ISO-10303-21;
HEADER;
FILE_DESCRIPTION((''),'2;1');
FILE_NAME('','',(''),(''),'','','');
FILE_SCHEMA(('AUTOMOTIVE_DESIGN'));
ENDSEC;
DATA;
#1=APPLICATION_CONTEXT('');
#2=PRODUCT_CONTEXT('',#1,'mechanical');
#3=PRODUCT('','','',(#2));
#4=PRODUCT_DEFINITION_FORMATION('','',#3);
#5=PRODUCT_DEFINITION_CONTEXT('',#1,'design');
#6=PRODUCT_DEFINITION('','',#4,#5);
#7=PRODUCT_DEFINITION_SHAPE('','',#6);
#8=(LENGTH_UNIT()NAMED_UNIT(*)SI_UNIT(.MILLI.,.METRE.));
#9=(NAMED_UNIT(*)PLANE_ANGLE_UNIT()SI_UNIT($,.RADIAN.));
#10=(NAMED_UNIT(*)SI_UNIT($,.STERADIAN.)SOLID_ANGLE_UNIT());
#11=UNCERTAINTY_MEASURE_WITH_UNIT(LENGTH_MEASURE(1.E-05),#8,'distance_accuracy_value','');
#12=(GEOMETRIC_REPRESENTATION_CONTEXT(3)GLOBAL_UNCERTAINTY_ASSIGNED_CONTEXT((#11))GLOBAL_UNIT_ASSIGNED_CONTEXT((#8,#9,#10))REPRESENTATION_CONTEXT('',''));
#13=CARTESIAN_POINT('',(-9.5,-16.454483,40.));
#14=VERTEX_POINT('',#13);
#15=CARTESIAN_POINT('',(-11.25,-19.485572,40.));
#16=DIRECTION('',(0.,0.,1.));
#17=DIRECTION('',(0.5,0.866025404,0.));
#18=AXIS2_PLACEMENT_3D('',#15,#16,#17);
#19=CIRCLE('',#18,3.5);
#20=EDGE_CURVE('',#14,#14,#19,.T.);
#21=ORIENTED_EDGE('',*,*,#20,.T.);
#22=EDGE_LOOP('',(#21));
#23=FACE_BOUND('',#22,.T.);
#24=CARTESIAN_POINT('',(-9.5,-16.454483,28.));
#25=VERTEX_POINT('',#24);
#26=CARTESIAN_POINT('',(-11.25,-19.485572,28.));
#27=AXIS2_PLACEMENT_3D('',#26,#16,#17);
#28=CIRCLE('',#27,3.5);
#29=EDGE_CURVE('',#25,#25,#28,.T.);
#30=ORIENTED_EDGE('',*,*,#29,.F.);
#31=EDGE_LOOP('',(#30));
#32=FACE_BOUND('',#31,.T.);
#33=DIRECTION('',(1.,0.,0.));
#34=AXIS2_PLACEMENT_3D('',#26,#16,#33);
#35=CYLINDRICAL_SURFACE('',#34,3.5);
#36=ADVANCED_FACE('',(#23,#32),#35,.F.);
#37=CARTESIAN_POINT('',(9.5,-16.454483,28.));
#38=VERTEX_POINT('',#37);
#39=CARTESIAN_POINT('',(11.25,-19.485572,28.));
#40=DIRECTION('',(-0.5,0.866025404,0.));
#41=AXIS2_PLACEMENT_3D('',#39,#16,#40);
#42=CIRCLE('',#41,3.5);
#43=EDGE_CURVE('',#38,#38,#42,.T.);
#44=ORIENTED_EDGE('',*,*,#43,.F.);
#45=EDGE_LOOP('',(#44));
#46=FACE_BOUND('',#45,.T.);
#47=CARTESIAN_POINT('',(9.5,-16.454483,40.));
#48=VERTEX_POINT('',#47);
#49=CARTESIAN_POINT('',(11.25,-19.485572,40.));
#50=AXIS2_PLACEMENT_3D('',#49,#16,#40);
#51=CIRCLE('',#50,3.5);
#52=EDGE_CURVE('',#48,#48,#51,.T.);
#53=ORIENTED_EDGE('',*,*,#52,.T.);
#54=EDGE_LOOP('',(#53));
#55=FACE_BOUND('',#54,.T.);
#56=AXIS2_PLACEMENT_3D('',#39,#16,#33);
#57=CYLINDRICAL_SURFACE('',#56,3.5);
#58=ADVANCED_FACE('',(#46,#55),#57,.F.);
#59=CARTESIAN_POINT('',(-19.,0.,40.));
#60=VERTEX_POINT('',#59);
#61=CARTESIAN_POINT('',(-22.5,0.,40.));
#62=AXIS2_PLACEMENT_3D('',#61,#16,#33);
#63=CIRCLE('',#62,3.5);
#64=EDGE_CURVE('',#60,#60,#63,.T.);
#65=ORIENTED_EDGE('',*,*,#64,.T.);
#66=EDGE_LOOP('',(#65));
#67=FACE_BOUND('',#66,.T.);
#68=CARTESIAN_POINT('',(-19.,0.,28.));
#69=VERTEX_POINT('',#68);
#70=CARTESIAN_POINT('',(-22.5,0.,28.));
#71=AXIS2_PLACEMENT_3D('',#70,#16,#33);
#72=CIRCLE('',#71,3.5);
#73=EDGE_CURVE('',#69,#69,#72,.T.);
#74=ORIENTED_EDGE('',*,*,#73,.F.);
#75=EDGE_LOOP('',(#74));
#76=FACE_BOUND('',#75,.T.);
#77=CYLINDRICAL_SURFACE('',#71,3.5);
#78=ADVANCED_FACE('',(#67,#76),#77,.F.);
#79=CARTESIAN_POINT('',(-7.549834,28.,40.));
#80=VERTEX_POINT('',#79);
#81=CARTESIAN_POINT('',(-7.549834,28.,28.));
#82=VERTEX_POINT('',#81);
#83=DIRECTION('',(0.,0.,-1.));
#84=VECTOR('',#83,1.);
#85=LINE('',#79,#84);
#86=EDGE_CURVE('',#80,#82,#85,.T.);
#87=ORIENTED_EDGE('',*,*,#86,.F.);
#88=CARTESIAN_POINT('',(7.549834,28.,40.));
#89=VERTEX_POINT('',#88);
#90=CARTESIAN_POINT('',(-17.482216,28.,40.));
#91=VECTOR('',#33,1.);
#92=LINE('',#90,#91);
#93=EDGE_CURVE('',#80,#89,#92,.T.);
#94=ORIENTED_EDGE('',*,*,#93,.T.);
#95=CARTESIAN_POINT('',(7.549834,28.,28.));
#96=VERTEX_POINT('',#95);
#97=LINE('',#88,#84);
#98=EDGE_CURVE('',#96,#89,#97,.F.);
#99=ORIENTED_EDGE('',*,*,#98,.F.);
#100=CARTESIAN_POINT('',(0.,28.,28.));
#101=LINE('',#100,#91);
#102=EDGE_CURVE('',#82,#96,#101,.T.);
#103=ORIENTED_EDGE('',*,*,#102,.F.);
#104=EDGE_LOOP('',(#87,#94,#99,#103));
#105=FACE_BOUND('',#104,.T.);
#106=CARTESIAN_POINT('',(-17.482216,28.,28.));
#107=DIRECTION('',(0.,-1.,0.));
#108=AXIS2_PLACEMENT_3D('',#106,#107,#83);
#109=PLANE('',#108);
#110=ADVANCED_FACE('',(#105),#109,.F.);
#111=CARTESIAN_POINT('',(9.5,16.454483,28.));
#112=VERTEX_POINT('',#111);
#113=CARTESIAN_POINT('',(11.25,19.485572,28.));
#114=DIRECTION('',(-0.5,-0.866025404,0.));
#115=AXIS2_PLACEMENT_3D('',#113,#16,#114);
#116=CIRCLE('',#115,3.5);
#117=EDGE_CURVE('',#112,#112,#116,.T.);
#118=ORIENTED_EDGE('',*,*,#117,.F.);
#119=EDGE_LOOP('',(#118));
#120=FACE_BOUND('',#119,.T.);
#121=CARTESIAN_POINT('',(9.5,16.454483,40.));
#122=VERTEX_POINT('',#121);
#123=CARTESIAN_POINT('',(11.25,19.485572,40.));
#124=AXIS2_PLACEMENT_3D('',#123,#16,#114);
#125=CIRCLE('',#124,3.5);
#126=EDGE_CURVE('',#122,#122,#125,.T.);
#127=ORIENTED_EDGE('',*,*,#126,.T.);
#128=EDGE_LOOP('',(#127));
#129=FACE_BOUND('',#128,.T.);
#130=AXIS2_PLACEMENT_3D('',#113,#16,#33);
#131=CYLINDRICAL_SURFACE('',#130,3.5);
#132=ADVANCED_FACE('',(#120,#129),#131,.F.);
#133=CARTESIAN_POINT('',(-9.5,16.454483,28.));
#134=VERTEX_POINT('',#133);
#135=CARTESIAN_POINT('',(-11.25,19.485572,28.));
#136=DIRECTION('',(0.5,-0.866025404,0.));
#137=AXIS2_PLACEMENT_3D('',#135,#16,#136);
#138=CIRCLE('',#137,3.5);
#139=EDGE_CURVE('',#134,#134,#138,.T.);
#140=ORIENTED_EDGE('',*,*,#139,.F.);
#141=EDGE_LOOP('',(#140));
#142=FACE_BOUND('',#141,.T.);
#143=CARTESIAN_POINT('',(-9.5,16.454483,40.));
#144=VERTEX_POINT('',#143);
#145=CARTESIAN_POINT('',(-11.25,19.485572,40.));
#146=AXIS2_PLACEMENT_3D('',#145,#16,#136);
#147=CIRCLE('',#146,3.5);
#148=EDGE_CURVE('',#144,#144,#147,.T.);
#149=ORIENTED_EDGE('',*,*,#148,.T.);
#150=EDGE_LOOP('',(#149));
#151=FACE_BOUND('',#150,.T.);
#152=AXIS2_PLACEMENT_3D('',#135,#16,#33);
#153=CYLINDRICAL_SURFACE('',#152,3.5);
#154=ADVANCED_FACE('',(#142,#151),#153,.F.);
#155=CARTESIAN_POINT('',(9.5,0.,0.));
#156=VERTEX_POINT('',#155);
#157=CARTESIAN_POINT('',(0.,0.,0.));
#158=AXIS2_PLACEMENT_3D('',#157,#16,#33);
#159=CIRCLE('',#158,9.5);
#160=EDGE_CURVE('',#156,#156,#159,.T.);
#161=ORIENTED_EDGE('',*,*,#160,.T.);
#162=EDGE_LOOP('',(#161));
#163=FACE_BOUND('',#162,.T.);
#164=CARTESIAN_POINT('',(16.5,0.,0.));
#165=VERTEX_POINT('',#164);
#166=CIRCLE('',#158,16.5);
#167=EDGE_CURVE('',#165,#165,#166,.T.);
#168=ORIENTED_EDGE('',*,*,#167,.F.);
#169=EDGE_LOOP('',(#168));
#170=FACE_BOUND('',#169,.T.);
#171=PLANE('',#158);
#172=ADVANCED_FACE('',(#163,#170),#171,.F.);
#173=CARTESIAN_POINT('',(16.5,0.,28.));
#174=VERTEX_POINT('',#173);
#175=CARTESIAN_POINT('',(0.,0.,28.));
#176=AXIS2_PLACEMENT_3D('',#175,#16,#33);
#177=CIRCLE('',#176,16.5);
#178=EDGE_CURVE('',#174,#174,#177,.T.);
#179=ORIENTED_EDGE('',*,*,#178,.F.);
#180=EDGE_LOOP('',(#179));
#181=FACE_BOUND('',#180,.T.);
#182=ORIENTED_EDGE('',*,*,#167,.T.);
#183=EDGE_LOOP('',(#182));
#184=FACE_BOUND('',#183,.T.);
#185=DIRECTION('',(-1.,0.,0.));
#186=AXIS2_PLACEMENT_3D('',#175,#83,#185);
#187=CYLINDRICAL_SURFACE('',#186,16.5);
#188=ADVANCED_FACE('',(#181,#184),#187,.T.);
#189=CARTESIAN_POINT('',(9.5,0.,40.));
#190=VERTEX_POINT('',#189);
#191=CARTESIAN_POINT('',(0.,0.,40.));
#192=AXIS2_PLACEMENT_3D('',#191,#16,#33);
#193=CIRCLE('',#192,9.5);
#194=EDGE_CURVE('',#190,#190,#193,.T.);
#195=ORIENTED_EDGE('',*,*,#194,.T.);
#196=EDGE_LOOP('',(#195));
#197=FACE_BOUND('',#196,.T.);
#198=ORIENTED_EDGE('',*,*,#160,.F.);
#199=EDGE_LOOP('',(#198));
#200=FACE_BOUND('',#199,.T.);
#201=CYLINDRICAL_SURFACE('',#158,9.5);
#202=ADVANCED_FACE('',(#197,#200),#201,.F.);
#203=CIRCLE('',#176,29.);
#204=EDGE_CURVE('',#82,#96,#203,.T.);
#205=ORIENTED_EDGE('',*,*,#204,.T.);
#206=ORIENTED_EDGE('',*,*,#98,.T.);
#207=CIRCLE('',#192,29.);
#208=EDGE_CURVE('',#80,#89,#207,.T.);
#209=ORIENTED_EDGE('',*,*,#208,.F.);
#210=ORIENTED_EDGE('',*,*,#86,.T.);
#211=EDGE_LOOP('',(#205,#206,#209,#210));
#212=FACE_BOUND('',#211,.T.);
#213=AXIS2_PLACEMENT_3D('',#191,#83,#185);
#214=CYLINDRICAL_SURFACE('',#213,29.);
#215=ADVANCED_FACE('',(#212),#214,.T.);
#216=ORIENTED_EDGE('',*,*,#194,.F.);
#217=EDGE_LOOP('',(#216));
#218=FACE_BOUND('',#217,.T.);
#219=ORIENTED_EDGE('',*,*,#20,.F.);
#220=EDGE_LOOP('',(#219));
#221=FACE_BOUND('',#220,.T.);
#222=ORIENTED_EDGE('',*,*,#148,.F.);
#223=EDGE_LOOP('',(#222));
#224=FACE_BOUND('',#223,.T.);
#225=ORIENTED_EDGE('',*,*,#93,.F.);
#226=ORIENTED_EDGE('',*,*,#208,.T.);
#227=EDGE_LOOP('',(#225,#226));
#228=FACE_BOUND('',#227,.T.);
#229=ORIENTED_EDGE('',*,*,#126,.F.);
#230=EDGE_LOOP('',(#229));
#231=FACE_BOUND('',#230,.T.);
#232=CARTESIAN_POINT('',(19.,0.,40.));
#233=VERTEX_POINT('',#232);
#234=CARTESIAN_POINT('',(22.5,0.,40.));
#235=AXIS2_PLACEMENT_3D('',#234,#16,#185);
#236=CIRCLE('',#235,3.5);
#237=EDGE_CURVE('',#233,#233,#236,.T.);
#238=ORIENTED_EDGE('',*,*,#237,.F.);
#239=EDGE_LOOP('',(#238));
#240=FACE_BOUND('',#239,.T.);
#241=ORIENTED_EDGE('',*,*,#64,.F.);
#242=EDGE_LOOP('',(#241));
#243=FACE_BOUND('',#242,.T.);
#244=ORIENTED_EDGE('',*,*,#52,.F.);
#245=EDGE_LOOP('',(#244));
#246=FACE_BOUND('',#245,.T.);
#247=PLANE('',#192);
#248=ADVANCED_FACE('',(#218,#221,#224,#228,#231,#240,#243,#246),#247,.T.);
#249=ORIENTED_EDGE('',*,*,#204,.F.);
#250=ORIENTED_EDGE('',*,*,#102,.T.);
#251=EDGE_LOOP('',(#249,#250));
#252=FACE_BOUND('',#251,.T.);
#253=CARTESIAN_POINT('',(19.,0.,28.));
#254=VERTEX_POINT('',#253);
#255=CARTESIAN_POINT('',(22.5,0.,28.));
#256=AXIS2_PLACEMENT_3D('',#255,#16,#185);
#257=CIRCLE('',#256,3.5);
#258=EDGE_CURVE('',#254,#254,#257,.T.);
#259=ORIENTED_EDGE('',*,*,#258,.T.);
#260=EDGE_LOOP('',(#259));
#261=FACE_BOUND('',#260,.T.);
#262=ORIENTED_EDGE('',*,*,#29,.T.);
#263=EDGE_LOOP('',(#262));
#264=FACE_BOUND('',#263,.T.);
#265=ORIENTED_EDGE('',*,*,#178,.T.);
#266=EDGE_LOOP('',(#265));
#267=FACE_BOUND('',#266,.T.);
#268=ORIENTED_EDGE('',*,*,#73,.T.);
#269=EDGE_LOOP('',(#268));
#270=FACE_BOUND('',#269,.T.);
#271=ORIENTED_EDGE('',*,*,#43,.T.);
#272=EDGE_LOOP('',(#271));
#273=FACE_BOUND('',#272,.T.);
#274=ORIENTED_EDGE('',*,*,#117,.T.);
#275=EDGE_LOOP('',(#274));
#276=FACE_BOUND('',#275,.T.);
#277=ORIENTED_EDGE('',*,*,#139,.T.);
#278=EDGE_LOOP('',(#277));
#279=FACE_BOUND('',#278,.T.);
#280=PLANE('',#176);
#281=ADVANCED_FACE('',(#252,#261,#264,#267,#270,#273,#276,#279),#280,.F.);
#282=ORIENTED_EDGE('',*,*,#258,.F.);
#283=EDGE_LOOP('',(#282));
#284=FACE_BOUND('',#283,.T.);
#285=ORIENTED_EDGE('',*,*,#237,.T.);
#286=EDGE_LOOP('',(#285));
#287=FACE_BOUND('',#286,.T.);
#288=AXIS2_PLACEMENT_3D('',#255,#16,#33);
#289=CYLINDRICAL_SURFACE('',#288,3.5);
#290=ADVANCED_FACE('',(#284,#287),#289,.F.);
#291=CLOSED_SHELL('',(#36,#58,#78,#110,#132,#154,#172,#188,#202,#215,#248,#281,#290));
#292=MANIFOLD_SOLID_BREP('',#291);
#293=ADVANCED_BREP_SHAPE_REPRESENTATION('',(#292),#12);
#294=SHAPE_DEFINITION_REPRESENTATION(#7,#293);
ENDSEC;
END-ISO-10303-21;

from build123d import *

# Parameters (mm, degrees)
SZKIC1_R                    = 16.5
DODANIE_WYCI_GNI_CIE1_DEPTH = 28
SZKIC2_R                    = 29
DODANIE_WYCI_GNI_CIE2_DEPTH = 12
SZKIC3_R                    = 9.5
WYTNIJ_WYCI_GNI_CIE1_DEPTH  = 40
SZKIC4_W                    = 33.487046283
SZKIC4_H                    = 1
WYTNIJ_WYCI_GNI_CIE2_DEPTH  = 12
SZKIC5_R                    = 3.5
WYTNIJ_WYCI_GNI_CIE3_DEPTH  = 12
SZYK_KO_OWY1_COUNT          = 6


with BuildPart() as part:
    # Szkic1 → Dodanie-wyciągnięcie1 (new body)
    with BuildSketch(Plane.XY):
        Circle(SZKIC1_R)
    extrude(amount=DODANIE_WYCI_GNI_CIE1_DEPTH)

    # Szkic2 → Dodanie-wyciągnięcie2 (add)
    with BuildSketch(Plane.XY.offset(28)):
        Circle(SZKIC2_R)
    extrude(amount=DODANIE_WYCI_GNI_CIE2_DEPTH)

    # Szkic3 → Wytnij-wyciągnięcie1 (cut)
    with BuildSketch(Plane.XY.offset(40)):
        Circle(SZKIC3_R)
    extrude(amount=-WYTNIJ_WYCI_GNI_CIE1_DEPTH, mode=Mode.SUBTRACT)

    # Szkic4 → Wytnij-wyciągnięcie2 (cut)
    with BuildSketch(Plane.XY.offset(40)):
        with Locations((-0.738693263, 28.5)):
            Rectangle(SZKIC4_W, SZKIC4_H)
    extrude(amount=-WYTNIJ_WYCI_GNI_CIE2_DEPTH, mode=Mode.SUBTRACT)

    # Szkic5 → Wytnij-wyciągnięcie3 (cut)
    with BuildSketch(Plane.XY.offset(40)):
        with Locations((-22.5, 0)):
            Circle(SZKIC5_R)
    wytnij_wyci_gni_cie3 = extrude(amount=-WYTNIJ_WYCI_GNI_CIE3_DEPTH, mode=Mode.SUBTRACT)

    # Szyk kołowy1: Wytnij-wyciągnięcie3 ×6 about axis
    szyk_ko_owy1_axis = Axis((0, 0, 0), (0, 0, 1))
    for i in range(1, SZYK_KO_OWY1_COUNT):
        add(wytnij_wyci_gni_cie3.rotate(szyk_ko_owy1_axis, i * 360 / SZYK_KO_OWY1_COUNT), mode=Mode.SUBTRACT)


solid = part.part
